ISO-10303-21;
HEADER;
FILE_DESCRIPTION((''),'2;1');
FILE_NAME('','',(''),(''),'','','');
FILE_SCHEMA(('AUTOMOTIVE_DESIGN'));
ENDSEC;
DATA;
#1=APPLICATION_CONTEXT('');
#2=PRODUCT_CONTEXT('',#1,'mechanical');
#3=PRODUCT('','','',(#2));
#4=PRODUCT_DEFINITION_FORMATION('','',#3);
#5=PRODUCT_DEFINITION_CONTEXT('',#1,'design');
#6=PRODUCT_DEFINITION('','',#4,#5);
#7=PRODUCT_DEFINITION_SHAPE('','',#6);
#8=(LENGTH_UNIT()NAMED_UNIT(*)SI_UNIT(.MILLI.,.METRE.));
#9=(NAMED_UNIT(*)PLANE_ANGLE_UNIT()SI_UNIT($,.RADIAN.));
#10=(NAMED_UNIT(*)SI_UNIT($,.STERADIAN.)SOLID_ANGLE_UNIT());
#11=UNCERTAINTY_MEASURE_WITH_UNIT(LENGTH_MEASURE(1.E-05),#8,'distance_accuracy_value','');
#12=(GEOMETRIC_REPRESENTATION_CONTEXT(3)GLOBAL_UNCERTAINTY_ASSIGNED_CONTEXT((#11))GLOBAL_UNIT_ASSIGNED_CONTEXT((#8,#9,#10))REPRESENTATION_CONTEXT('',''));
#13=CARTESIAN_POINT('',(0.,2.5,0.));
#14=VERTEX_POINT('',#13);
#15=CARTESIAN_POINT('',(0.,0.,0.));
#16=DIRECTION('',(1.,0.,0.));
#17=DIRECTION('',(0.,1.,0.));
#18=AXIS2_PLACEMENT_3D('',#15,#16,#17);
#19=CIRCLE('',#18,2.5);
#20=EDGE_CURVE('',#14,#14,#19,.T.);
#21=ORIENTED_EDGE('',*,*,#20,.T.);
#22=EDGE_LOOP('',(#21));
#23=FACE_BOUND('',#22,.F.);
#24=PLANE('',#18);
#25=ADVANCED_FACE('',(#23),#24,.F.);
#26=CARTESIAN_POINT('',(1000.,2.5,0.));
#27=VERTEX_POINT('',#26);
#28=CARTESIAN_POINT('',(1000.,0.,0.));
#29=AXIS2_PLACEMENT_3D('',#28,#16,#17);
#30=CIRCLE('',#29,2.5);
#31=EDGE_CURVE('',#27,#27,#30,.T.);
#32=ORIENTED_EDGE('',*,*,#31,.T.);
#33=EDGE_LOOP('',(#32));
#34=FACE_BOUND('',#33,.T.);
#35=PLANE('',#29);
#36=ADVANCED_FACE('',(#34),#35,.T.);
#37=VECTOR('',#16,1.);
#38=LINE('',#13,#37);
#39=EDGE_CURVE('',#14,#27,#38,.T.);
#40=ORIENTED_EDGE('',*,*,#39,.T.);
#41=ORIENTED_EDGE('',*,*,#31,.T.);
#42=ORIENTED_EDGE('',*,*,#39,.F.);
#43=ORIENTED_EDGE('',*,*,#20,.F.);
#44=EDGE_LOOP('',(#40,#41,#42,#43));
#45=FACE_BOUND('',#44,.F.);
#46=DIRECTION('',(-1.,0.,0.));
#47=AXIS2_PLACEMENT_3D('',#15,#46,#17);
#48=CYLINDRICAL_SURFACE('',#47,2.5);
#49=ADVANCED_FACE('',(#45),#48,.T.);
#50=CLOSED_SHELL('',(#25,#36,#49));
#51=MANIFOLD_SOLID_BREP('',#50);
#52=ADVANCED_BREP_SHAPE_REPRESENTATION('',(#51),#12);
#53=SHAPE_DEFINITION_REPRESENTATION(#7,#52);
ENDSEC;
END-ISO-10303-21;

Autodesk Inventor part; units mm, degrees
ref_plane "YZ Plane" through (0, 0, 0) normal (1, 0, 0) x (0, 1, 0)
ref_plane "XZ Plane" through (0, 0, 0) normal (0, 1, 0) x (-1, 0, 0)
ref_plane "XY Plane" through (0, 0, 0) normal (0, 0, 1) x (1, 0, 0)
sketch "Sketch1" plane through (0, 0, 0) normal (1, 0, 0) x (0, 1, 0)
  circle A0 centre (0, 0) radius 2.5
  dimension "d0" = 5
extrude "Extrusion1" add sketch "Sketch1" along normal blind 1000
properties part number "Material"
